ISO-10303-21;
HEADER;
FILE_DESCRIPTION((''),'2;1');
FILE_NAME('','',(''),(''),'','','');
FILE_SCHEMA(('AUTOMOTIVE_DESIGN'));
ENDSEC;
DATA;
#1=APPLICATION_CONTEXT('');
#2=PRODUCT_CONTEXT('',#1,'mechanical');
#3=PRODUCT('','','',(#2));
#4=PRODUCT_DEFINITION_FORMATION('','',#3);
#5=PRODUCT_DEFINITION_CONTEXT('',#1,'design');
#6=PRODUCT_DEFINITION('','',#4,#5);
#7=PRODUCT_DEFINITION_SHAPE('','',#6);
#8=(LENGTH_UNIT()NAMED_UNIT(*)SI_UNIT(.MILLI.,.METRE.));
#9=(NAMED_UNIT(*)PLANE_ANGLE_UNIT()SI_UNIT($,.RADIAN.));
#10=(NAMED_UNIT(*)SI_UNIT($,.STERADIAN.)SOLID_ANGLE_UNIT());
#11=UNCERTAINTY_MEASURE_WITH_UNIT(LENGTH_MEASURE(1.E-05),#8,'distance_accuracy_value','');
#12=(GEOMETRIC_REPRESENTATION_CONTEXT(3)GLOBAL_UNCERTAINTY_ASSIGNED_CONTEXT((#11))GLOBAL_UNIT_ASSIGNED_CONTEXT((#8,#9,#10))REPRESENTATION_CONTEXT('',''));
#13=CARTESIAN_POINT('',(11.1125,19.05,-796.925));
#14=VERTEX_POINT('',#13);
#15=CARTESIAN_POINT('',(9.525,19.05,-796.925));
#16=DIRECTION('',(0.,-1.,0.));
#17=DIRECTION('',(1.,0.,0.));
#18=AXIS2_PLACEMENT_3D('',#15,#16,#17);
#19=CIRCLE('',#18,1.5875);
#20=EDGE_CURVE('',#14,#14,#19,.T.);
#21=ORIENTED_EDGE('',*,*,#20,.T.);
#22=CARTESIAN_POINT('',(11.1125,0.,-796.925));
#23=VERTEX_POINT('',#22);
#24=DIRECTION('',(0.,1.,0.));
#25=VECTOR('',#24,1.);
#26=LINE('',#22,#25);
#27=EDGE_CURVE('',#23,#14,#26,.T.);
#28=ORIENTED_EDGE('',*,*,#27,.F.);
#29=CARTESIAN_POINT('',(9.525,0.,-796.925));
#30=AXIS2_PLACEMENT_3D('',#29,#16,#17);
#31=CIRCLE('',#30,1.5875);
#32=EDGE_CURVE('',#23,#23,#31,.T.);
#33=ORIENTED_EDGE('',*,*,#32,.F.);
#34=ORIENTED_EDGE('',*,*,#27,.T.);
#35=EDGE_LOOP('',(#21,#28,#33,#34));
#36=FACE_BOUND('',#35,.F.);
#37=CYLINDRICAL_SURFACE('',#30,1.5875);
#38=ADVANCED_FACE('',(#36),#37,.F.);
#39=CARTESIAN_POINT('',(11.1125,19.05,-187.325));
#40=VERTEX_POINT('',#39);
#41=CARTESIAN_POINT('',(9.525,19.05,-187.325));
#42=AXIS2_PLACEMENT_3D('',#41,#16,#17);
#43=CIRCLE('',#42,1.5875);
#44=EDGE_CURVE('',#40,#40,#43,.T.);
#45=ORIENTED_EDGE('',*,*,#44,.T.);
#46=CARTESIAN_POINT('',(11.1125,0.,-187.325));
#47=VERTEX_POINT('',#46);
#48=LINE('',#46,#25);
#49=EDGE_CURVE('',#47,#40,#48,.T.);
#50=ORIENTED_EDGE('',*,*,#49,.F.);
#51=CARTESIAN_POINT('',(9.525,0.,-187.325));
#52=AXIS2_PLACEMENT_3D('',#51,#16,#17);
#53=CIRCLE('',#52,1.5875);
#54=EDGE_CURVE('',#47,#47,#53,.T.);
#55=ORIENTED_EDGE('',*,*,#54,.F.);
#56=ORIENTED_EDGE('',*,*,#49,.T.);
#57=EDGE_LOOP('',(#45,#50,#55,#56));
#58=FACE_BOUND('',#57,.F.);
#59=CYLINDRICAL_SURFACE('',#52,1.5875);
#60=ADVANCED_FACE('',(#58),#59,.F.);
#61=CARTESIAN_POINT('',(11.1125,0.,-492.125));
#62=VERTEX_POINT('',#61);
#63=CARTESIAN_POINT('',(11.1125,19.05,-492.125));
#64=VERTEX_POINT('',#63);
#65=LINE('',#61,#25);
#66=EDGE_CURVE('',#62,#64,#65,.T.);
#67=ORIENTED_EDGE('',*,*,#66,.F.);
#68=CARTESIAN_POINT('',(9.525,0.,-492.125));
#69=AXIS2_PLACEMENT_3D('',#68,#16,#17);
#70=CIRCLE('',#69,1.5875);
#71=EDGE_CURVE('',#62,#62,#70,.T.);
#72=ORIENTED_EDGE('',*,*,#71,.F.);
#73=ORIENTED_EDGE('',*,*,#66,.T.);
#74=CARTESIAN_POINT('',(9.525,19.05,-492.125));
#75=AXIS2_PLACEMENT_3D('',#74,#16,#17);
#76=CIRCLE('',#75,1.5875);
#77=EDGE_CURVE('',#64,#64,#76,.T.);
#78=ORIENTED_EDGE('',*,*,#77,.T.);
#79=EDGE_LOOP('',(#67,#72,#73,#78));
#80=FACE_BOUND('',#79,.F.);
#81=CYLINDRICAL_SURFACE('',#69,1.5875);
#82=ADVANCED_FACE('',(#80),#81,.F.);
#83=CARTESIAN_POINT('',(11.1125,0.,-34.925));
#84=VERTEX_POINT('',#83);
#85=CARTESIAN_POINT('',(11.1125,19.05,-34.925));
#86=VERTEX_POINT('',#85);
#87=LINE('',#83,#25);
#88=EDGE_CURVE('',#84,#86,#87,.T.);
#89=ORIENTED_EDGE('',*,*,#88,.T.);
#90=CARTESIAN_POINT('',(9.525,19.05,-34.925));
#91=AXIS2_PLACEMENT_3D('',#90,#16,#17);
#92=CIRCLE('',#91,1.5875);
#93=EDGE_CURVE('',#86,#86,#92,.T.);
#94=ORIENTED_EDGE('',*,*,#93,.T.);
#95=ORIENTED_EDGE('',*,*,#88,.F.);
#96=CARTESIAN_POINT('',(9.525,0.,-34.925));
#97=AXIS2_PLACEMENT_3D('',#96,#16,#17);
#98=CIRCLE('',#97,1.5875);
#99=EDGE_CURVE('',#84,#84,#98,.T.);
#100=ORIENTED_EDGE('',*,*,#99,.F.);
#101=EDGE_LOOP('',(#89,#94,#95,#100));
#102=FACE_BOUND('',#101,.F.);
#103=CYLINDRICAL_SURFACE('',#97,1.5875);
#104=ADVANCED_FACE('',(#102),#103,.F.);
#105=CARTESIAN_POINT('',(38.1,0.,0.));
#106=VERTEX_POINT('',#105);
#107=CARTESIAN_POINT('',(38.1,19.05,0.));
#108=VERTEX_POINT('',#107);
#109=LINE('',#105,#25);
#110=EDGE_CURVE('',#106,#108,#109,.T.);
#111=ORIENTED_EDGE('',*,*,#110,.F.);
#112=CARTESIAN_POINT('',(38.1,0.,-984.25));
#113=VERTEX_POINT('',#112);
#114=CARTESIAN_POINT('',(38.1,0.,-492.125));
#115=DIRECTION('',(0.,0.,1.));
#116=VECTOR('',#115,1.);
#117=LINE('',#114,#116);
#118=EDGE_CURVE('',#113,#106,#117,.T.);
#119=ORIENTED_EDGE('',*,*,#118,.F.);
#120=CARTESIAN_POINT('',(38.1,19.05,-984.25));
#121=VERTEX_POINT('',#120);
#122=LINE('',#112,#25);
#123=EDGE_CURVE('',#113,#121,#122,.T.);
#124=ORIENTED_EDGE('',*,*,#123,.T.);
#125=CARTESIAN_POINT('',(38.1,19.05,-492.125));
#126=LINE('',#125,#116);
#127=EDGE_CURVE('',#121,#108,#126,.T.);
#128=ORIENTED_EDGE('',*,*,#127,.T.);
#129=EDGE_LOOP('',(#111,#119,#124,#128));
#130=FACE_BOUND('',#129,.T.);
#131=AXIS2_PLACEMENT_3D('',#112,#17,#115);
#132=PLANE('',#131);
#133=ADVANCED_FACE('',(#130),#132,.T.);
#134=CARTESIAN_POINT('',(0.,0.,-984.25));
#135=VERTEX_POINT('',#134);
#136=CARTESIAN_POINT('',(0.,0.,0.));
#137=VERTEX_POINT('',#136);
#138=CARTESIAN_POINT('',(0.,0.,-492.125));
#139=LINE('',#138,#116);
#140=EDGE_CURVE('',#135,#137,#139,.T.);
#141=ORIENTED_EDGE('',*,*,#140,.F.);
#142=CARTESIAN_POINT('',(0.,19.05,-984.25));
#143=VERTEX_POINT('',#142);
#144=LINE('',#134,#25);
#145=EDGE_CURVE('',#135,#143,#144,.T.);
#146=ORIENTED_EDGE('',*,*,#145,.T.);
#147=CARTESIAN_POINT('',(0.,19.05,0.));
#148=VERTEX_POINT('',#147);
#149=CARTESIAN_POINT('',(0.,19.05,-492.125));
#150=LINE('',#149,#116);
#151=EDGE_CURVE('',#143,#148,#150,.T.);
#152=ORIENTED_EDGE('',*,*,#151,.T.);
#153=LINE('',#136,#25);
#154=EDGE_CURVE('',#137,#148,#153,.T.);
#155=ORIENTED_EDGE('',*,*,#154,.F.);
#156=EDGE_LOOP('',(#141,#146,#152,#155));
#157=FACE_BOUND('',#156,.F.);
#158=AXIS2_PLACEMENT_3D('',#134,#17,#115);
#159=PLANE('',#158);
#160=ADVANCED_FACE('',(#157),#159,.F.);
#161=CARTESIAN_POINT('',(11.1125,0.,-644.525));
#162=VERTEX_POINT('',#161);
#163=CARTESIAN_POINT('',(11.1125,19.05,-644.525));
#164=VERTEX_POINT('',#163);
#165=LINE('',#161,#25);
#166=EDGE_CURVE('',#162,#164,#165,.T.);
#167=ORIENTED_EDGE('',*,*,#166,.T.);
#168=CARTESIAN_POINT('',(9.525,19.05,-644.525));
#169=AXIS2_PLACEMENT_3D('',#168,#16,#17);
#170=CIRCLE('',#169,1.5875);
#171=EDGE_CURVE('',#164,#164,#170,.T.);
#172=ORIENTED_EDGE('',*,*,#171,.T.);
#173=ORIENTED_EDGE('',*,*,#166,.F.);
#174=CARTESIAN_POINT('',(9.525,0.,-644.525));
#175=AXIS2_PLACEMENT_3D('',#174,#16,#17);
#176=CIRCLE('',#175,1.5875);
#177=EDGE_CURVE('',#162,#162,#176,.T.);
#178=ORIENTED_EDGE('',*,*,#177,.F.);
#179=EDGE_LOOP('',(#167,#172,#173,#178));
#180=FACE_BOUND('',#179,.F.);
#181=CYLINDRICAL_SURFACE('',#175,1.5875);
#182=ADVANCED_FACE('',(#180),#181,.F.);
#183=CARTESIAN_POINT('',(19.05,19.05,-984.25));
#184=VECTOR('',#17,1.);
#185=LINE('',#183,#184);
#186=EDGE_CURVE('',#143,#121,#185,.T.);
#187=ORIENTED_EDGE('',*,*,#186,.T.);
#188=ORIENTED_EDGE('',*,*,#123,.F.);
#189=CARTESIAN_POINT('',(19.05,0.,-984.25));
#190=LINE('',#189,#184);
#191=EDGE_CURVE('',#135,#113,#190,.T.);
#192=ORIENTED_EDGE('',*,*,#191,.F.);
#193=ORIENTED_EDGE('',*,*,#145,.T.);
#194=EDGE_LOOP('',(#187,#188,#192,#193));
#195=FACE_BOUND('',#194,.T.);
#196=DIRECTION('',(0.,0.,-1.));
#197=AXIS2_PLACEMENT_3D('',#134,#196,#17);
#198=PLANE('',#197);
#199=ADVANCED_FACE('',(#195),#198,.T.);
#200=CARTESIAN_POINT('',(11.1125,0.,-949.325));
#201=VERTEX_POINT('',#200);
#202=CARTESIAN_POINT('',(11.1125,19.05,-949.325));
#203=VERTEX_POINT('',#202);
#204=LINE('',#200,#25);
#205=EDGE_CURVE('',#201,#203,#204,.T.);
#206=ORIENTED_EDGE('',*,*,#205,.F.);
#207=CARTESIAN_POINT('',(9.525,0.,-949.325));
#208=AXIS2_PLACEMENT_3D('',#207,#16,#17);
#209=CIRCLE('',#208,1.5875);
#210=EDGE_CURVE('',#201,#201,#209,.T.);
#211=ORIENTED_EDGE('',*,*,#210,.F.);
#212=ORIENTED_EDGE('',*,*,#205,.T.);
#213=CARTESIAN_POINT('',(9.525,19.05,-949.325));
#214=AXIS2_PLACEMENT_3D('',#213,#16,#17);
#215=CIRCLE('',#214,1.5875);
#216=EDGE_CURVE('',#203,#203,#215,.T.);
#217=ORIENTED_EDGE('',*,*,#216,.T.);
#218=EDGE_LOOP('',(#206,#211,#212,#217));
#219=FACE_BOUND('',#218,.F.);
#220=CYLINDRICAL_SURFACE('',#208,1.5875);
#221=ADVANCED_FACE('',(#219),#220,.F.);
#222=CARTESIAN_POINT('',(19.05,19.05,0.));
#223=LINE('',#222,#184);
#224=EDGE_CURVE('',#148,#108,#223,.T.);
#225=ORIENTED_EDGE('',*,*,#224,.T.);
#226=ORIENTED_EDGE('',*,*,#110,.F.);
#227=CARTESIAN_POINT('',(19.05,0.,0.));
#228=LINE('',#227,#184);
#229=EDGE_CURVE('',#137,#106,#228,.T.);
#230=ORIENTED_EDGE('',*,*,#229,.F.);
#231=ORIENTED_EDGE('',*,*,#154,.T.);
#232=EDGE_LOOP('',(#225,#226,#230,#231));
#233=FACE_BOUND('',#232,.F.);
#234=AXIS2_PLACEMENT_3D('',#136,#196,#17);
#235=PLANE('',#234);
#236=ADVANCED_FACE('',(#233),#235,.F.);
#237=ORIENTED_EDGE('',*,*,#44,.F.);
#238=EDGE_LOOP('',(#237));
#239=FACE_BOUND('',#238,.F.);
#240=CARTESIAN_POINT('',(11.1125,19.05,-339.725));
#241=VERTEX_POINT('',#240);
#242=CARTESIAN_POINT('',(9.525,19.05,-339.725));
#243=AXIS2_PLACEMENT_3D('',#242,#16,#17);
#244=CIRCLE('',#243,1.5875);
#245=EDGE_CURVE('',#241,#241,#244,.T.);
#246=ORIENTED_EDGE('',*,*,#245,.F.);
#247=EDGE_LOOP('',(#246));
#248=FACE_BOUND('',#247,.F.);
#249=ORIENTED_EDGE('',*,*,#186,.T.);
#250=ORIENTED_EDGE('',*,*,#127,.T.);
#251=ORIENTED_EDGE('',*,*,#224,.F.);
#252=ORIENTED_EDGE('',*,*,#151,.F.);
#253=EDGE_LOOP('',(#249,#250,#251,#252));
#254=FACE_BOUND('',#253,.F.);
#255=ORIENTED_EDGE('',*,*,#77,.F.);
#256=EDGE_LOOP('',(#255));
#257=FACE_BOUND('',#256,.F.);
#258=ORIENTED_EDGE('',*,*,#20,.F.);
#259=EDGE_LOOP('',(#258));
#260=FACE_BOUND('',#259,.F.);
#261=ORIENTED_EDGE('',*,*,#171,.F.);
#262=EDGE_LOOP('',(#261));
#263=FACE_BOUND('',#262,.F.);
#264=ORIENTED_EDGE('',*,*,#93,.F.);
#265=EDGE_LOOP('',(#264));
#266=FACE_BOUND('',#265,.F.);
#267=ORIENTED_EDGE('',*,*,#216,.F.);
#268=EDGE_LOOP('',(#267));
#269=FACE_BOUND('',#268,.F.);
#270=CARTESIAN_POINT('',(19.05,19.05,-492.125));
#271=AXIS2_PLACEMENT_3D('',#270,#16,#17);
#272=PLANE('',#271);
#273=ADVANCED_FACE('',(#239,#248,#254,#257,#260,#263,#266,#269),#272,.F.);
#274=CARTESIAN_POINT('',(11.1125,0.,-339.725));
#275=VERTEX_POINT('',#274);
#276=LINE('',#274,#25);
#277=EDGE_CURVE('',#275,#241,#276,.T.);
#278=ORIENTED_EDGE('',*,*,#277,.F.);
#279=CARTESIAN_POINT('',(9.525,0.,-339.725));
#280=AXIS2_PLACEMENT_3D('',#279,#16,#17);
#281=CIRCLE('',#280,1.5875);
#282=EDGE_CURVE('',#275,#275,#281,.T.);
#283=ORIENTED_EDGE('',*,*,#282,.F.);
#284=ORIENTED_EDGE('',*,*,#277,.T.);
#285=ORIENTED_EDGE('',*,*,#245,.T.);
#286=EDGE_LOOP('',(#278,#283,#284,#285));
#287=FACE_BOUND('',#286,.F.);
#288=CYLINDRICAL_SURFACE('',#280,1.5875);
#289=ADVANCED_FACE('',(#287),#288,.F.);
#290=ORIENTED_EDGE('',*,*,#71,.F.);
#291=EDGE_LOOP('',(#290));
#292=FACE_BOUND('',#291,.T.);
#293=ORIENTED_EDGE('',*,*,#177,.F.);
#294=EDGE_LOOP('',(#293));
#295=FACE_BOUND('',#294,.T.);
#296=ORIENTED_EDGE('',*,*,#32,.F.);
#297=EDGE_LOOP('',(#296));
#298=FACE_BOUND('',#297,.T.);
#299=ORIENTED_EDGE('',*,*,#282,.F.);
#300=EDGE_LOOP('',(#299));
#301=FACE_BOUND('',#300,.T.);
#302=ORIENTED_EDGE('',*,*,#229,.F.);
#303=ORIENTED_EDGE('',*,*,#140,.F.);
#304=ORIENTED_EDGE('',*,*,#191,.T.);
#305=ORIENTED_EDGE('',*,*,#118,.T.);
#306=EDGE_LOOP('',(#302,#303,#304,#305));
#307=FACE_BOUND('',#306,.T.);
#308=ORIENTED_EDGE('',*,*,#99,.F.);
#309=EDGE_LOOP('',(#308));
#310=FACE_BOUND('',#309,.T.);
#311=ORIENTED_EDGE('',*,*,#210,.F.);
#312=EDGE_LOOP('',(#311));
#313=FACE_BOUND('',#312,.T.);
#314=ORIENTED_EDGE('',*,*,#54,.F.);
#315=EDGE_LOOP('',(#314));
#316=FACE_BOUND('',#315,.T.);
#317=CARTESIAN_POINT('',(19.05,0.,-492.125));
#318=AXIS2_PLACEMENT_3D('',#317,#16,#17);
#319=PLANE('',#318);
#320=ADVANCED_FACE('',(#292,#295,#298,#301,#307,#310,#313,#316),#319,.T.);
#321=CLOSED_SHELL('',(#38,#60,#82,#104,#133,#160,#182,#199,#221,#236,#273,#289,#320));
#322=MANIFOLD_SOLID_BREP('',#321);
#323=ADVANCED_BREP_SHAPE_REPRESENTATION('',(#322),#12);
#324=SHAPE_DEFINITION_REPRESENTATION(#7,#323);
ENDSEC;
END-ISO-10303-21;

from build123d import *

# Parameters (mm, degrees)
F0_W     = 38.1
F0_H     = 984.25
F1_DEPTH = 19.05
F2_R     = 1.5875
F3_DEPTH = 19.051


with BuildPart() as f1:
    # F0 (on Front) → F1 (new body)
    with BuildSketch(Plane.XZ):
        with Locations((19.05, -492.125)):
            Rectangle(F0_W, F0_H)
    extrude(amount=-F1_DEPTH)

    # F2 (on Front) → F3 (cut, through all)
    with BuildSketch(Plane.XZ):
        with Locations((9.525, -34.925)):
            Circle(F2_R)
        with Locations((9.525, -187.325)):
            Circle(F2_R)
        with Locations((9.525, -339.725)):
            Circle(F2_R)
        with Locations((9.525, -492.125)):
            Circle(F2_R)
        with Locations((9.525, -644.525)):
            Circle(F2_R)
        with Locations((9.525, -796.925)):
            Circle(F2_R)
        with Locations((9.525, -949.325)):
            Circle(F2_R)
    extrude(amount=-F3_DEPTH, mode=Mode.SUBTRACT)


solid = f1.part
